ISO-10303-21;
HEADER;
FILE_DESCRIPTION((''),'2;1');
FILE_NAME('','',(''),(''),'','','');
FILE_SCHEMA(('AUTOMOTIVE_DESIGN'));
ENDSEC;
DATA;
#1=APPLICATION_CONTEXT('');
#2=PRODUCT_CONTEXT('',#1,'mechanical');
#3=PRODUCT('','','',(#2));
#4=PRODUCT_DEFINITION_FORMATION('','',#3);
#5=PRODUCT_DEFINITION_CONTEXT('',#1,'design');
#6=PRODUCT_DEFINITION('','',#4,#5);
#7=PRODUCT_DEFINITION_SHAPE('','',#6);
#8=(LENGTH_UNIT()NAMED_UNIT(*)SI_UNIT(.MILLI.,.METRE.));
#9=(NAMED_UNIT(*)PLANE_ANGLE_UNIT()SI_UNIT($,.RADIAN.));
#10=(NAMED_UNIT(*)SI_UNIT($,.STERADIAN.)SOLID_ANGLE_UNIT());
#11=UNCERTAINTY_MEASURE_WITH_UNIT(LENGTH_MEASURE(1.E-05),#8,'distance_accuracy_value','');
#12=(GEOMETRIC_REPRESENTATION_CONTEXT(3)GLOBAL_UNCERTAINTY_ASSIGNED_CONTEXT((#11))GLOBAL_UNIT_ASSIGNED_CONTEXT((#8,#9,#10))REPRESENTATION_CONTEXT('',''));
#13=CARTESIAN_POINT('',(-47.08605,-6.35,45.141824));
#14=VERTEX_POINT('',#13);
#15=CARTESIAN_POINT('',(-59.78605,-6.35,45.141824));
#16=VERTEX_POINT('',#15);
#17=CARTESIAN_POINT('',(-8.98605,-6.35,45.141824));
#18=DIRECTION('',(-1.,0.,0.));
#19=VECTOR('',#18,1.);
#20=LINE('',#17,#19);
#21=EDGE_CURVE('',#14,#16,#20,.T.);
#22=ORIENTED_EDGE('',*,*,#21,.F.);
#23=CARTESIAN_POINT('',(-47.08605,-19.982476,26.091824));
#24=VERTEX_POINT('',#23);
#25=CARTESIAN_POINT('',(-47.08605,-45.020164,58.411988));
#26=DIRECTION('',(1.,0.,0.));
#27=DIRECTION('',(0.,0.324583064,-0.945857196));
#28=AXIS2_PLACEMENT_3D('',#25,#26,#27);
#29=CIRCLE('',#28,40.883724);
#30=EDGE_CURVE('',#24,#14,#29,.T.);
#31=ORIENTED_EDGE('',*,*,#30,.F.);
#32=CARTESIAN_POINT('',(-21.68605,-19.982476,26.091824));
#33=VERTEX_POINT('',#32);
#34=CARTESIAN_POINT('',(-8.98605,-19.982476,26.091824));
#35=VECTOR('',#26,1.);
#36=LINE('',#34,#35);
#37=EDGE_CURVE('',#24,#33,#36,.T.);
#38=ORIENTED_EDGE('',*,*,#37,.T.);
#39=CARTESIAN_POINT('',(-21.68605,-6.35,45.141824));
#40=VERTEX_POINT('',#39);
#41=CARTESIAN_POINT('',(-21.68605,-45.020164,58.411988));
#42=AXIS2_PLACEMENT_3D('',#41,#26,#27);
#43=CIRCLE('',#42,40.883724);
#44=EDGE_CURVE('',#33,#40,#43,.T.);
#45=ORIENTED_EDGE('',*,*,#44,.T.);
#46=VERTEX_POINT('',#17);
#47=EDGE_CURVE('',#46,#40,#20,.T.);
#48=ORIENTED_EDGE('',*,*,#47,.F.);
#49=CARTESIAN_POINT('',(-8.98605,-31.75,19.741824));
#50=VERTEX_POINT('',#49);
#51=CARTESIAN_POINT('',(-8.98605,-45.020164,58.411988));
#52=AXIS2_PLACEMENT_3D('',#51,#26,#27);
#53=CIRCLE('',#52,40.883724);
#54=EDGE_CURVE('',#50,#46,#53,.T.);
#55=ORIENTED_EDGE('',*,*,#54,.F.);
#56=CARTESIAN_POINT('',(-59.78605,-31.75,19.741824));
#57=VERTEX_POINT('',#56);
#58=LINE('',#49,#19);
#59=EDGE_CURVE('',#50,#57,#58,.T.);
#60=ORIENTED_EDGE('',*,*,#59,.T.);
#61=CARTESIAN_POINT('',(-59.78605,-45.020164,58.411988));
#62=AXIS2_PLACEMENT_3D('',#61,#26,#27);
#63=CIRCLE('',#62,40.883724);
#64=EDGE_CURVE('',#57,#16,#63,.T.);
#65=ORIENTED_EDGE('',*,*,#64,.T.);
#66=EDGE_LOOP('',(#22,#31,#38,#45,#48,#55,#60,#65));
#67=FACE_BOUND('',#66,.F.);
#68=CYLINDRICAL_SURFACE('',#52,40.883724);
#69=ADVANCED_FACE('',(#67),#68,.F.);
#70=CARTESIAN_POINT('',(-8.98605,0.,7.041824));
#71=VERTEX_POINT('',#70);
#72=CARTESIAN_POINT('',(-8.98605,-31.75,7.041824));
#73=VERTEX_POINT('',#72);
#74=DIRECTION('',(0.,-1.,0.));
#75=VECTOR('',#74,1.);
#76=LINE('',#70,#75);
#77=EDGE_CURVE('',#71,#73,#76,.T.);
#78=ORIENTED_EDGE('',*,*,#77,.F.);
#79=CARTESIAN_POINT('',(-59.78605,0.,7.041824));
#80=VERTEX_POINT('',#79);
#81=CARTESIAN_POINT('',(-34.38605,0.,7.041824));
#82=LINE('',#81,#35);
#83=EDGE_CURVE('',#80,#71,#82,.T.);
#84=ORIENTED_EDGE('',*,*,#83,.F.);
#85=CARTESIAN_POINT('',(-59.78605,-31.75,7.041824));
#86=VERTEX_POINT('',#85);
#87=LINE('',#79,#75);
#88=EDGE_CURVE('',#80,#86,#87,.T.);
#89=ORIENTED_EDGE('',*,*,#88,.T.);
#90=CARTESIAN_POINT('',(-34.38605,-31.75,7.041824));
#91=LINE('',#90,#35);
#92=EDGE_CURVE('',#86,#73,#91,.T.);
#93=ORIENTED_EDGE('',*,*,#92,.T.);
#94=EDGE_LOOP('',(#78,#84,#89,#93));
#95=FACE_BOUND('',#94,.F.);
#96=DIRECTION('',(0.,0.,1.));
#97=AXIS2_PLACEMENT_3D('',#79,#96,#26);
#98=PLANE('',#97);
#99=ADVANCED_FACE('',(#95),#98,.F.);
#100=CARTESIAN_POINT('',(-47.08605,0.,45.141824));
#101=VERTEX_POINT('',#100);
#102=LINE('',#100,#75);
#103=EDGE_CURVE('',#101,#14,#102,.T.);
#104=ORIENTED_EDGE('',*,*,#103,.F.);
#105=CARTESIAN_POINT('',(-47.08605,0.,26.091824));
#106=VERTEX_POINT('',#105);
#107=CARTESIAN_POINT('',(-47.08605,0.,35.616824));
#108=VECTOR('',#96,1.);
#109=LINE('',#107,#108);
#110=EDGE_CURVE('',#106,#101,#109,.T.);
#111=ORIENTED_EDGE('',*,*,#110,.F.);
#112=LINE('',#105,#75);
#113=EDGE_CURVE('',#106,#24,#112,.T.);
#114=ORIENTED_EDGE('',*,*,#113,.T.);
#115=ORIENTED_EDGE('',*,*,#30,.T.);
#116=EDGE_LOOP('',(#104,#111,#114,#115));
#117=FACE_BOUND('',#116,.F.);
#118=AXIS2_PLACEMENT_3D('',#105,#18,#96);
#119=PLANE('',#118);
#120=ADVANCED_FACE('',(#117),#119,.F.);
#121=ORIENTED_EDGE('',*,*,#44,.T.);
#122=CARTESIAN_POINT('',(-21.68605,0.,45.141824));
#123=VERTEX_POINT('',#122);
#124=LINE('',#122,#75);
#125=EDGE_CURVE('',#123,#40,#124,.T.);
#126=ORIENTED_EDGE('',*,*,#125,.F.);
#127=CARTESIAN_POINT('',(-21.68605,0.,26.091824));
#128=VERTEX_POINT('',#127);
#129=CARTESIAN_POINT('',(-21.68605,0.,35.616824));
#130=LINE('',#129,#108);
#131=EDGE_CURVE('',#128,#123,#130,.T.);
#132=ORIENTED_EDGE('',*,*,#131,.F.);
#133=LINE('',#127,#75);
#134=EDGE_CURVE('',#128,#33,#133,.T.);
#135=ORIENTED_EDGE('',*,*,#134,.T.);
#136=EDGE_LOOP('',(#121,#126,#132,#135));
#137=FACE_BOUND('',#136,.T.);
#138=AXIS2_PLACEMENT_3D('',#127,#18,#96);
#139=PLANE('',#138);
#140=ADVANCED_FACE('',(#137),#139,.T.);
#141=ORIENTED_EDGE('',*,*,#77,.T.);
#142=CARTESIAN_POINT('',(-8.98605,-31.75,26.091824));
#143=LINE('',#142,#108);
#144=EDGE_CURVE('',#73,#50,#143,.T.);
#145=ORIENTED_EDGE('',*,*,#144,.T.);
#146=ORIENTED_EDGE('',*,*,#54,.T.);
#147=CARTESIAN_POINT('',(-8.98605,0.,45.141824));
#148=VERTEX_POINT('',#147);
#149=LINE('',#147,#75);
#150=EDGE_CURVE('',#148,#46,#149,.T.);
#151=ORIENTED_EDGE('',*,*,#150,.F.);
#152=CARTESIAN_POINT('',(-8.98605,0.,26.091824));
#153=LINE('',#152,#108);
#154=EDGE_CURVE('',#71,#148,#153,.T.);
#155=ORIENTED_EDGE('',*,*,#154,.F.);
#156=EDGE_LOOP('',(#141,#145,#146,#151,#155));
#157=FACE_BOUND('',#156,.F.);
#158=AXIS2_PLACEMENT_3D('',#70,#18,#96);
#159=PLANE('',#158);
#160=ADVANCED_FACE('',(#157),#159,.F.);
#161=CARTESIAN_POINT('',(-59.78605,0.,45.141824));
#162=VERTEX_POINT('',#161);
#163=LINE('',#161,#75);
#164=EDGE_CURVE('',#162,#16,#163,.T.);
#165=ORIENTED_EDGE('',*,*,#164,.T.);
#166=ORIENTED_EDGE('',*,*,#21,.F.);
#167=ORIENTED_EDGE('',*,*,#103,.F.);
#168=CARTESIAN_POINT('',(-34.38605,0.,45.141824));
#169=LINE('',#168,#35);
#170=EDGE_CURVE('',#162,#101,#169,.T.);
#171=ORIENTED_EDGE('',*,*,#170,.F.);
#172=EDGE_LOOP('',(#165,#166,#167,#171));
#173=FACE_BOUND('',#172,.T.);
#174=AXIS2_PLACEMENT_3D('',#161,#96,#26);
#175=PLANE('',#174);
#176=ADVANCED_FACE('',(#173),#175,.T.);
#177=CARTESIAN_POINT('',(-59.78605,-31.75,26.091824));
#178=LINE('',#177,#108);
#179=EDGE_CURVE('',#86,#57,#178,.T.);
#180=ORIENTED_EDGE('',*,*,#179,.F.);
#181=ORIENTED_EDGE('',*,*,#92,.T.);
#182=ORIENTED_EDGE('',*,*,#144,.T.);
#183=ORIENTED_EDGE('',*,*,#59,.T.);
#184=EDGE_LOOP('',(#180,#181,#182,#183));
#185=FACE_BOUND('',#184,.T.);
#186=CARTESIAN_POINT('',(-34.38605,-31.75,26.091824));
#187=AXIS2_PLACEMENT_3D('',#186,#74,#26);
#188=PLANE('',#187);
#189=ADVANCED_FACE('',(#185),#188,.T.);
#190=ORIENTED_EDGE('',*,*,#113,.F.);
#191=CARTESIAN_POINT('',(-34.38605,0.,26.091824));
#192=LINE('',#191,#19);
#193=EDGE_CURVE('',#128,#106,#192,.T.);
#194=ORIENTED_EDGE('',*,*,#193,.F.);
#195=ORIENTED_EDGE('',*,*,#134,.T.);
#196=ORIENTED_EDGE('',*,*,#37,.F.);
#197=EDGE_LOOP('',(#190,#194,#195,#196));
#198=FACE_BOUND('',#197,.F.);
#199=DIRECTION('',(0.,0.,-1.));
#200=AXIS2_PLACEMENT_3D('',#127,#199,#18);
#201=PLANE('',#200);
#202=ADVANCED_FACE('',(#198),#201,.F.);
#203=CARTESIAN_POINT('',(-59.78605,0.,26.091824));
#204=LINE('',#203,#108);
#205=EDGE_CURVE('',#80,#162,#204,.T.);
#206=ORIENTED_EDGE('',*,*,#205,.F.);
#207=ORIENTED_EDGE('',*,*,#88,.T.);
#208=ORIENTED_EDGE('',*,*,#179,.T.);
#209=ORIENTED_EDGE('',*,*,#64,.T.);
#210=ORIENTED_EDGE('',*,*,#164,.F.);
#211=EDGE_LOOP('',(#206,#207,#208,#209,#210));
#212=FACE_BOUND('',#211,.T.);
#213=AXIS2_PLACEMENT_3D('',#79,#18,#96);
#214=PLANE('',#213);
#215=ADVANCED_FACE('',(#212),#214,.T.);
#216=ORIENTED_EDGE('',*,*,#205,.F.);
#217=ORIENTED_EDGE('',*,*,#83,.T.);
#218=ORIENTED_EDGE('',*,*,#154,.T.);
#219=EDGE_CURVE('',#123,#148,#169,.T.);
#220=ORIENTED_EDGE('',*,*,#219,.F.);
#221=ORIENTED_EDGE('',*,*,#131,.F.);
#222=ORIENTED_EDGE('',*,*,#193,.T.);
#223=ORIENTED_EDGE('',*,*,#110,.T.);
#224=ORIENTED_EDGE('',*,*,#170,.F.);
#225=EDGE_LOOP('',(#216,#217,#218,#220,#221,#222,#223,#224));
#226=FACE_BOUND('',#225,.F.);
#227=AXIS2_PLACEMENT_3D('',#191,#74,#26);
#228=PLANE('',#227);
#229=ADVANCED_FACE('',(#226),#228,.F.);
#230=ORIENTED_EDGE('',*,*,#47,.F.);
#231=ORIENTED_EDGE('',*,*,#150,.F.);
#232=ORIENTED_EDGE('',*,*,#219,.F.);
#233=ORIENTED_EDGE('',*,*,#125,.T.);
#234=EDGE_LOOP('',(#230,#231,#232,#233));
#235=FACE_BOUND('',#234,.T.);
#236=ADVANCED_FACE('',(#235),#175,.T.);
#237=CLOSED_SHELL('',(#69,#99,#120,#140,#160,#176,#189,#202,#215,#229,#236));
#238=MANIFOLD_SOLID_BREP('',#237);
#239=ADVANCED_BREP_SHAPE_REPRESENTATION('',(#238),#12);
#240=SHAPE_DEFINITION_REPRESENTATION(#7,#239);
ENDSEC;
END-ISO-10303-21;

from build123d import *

# Parameters (mm, degrees)
F0_W     = 50.8
F0_H     = 38.1
F1_DEPTH = 31.75
F3_DEPTH = 50.801
F4_W     = 25.4
F4_H     = 19.05
F5_DEPTH = 31.751


with BuildPart() as f1:
    # F0 (on Front) → F1 (new body)
    with BuildSketch(Plane.XZ):
        with Locations((-34.38605, 26.091824)):
            Rectangle(F0_W, F0_H)
    extrude(amount=F1_DEPTH)

    # F2 (on face) → F3 (cut, through all)
    with BuildSketch(Plane.YZ.offset(-8.98605)):
        with BuildLine():
            Line((-31.75, 45.141824), (-31.75, 19.741824))
            ThreePointArc((-31.75, 19.741824), (-16.111006, 29.50283), (-6.35, 45.141824))
            Line((-6.35, 45.141824), (-31.75, 45.141824))
        make_face()
    extrude(amount=-F3_DEPTH, mode=Mode.SUBTRACT)

    # F4 (on face) → F5 (cut, through all)
    with BuildSketch(Plane(origin=(0, 0, 0), x_dir=(-1, 0, 0), z_dir=(0, 1, 0))):
        with Locations((34.38605, 35.616824)):
            Rectangle(F4_W, F4_H)
    extrude(amount=-F5_DEPTH, mode=Mode.SUBTRACT)


solid = f1.part
